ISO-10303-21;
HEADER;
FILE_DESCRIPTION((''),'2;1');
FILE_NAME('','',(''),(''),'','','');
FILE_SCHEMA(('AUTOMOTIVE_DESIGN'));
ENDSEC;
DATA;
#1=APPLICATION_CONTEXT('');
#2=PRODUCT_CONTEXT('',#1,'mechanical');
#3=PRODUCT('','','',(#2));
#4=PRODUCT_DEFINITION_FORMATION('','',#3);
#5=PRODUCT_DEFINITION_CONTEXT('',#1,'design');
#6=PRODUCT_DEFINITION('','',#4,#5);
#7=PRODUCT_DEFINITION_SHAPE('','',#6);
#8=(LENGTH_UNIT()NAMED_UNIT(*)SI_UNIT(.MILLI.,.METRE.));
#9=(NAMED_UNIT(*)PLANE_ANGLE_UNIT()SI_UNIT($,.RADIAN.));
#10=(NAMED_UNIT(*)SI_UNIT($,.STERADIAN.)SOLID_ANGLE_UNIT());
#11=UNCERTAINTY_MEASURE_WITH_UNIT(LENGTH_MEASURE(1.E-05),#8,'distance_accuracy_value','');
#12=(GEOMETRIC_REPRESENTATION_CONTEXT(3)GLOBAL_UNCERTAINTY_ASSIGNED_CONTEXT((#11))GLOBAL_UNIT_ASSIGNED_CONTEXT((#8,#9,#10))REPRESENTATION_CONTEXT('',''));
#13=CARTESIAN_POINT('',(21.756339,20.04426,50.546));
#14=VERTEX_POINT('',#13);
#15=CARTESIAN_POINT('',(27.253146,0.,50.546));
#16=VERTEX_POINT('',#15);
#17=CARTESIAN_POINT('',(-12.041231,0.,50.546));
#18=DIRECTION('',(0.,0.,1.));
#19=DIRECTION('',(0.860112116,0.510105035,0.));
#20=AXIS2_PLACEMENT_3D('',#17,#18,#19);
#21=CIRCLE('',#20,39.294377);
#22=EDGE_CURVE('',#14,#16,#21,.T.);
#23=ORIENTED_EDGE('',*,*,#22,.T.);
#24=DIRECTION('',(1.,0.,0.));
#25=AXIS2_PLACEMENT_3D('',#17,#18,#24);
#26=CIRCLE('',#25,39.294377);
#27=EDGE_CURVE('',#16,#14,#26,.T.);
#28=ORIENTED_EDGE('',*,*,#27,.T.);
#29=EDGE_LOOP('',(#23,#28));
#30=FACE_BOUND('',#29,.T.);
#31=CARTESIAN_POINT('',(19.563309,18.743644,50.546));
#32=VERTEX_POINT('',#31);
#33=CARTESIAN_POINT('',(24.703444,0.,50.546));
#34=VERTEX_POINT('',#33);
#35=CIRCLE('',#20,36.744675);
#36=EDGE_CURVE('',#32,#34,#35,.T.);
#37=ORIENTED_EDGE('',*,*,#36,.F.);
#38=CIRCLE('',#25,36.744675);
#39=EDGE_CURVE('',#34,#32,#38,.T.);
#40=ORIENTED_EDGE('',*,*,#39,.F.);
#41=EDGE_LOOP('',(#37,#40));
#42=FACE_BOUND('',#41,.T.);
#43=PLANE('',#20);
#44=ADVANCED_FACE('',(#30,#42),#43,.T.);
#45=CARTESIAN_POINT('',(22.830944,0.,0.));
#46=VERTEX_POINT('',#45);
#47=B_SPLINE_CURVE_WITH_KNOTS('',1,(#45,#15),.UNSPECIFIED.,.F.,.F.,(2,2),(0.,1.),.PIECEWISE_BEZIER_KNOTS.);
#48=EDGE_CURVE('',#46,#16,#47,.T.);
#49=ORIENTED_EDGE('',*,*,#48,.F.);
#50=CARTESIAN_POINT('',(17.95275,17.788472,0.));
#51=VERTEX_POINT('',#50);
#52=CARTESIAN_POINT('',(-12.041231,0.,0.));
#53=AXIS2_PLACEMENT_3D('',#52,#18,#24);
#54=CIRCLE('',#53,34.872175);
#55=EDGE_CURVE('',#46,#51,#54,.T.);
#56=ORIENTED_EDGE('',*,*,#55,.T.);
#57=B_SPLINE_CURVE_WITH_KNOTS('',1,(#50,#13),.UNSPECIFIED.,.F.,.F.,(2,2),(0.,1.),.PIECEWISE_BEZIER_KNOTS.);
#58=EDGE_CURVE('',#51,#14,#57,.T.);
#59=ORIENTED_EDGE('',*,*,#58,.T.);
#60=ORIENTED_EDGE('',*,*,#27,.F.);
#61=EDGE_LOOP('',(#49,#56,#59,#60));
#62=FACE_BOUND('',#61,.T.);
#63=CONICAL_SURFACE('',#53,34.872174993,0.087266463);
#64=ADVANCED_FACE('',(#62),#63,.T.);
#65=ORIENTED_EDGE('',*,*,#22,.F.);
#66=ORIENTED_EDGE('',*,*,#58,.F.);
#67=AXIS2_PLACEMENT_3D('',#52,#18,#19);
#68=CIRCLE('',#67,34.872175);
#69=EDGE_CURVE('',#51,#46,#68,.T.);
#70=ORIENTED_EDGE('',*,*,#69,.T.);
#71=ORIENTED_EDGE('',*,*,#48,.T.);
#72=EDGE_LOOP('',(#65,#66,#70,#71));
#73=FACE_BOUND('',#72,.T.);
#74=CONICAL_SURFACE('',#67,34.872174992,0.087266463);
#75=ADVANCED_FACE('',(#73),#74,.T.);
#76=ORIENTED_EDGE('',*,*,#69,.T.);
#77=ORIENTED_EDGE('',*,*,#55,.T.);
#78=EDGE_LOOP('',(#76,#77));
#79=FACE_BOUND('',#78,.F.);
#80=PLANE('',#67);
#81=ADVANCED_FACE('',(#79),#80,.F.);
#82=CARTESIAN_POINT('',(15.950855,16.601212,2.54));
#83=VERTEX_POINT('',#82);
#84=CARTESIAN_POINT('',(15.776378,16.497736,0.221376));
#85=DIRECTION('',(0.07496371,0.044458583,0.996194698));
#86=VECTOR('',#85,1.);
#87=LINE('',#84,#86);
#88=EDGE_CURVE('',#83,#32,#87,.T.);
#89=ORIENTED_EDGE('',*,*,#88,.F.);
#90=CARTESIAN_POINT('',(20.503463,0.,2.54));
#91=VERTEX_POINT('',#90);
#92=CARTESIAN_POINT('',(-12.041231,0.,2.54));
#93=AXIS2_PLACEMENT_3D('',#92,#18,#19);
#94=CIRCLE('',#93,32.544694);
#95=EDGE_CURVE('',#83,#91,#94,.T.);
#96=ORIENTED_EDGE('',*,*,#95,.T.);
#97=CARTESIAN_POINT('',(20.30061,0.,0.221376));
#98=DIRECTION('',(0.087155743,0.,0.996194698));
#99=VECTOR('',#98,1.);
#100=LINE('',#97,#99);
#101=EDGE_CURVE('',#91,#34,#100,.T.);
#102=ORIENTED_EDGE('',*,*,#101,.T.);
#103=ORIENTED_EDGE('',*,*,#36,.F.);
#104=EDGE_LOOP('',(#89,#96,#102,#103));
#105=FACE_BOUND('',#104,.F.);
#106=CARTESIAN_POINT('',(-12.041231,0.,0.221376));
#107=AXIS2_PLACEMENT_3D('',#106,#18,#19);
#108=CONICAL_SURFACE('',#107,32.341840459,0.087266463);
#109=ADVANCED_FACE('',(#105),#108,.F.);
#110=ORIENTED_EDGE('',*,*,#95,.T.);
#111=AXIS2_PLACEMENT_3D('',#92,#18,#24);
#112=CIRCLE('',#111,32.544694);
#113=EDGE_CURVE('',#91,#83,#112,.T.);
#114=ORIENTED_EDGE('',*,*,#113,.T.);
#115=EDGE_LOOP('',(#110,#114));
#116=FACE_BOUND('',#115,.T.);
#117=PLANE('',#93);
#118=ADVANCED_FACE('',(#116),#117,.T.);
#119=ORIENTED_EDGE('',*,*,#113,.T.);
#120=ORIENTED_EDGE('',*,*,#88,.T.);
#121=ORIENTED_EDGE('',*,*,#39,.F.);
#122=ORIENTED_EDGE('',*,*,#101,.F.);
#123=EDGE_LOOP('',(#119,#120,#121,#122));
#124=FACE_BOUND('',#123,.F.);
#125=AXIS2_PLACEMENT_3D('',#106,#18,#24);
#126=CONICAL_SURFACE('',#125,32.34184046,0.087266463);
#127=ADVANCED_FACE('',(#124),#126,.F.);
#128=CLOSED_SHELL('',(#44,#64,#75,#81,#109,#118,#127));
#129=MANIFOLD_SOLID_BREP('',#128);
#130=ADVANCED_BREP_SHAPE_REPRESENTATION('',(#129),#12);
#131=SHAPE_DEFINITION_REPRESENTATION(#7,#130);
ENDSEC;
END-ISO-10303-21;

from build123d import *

# Parameters (mm, degrees)
F1_DEPTH = 50.546
F1_TAPER = -5
F2_T     = -2.54


with BuildPart() as f1:
    # F0 (on Top) → F1 (new body)
    with BuildSketch(Plane.XY):
        with BuildLine():
            ThreePointArc((17.9527495512, 17.7884720595), (-45.6717519147, -9.2226151698), (22.8309443061, 0))
            ThreePointArc((22.8309443061, 0), (21.5892905426, 9.2226151698), (17.9527495512, 17.7884720595))
        make_face()
    extrude(amount=F1_DEPTH, taper=F1_TAPER)

    # F2
    f2_openings = [f1.faces().sort_by_distance(p)[0] for p in [
        (-12.041231, 0, 50.546),
    ]]
    offset(amount=F2_T, openings=f2_openings, kind=Kind.INTERSECTION)


solid = f1.part
